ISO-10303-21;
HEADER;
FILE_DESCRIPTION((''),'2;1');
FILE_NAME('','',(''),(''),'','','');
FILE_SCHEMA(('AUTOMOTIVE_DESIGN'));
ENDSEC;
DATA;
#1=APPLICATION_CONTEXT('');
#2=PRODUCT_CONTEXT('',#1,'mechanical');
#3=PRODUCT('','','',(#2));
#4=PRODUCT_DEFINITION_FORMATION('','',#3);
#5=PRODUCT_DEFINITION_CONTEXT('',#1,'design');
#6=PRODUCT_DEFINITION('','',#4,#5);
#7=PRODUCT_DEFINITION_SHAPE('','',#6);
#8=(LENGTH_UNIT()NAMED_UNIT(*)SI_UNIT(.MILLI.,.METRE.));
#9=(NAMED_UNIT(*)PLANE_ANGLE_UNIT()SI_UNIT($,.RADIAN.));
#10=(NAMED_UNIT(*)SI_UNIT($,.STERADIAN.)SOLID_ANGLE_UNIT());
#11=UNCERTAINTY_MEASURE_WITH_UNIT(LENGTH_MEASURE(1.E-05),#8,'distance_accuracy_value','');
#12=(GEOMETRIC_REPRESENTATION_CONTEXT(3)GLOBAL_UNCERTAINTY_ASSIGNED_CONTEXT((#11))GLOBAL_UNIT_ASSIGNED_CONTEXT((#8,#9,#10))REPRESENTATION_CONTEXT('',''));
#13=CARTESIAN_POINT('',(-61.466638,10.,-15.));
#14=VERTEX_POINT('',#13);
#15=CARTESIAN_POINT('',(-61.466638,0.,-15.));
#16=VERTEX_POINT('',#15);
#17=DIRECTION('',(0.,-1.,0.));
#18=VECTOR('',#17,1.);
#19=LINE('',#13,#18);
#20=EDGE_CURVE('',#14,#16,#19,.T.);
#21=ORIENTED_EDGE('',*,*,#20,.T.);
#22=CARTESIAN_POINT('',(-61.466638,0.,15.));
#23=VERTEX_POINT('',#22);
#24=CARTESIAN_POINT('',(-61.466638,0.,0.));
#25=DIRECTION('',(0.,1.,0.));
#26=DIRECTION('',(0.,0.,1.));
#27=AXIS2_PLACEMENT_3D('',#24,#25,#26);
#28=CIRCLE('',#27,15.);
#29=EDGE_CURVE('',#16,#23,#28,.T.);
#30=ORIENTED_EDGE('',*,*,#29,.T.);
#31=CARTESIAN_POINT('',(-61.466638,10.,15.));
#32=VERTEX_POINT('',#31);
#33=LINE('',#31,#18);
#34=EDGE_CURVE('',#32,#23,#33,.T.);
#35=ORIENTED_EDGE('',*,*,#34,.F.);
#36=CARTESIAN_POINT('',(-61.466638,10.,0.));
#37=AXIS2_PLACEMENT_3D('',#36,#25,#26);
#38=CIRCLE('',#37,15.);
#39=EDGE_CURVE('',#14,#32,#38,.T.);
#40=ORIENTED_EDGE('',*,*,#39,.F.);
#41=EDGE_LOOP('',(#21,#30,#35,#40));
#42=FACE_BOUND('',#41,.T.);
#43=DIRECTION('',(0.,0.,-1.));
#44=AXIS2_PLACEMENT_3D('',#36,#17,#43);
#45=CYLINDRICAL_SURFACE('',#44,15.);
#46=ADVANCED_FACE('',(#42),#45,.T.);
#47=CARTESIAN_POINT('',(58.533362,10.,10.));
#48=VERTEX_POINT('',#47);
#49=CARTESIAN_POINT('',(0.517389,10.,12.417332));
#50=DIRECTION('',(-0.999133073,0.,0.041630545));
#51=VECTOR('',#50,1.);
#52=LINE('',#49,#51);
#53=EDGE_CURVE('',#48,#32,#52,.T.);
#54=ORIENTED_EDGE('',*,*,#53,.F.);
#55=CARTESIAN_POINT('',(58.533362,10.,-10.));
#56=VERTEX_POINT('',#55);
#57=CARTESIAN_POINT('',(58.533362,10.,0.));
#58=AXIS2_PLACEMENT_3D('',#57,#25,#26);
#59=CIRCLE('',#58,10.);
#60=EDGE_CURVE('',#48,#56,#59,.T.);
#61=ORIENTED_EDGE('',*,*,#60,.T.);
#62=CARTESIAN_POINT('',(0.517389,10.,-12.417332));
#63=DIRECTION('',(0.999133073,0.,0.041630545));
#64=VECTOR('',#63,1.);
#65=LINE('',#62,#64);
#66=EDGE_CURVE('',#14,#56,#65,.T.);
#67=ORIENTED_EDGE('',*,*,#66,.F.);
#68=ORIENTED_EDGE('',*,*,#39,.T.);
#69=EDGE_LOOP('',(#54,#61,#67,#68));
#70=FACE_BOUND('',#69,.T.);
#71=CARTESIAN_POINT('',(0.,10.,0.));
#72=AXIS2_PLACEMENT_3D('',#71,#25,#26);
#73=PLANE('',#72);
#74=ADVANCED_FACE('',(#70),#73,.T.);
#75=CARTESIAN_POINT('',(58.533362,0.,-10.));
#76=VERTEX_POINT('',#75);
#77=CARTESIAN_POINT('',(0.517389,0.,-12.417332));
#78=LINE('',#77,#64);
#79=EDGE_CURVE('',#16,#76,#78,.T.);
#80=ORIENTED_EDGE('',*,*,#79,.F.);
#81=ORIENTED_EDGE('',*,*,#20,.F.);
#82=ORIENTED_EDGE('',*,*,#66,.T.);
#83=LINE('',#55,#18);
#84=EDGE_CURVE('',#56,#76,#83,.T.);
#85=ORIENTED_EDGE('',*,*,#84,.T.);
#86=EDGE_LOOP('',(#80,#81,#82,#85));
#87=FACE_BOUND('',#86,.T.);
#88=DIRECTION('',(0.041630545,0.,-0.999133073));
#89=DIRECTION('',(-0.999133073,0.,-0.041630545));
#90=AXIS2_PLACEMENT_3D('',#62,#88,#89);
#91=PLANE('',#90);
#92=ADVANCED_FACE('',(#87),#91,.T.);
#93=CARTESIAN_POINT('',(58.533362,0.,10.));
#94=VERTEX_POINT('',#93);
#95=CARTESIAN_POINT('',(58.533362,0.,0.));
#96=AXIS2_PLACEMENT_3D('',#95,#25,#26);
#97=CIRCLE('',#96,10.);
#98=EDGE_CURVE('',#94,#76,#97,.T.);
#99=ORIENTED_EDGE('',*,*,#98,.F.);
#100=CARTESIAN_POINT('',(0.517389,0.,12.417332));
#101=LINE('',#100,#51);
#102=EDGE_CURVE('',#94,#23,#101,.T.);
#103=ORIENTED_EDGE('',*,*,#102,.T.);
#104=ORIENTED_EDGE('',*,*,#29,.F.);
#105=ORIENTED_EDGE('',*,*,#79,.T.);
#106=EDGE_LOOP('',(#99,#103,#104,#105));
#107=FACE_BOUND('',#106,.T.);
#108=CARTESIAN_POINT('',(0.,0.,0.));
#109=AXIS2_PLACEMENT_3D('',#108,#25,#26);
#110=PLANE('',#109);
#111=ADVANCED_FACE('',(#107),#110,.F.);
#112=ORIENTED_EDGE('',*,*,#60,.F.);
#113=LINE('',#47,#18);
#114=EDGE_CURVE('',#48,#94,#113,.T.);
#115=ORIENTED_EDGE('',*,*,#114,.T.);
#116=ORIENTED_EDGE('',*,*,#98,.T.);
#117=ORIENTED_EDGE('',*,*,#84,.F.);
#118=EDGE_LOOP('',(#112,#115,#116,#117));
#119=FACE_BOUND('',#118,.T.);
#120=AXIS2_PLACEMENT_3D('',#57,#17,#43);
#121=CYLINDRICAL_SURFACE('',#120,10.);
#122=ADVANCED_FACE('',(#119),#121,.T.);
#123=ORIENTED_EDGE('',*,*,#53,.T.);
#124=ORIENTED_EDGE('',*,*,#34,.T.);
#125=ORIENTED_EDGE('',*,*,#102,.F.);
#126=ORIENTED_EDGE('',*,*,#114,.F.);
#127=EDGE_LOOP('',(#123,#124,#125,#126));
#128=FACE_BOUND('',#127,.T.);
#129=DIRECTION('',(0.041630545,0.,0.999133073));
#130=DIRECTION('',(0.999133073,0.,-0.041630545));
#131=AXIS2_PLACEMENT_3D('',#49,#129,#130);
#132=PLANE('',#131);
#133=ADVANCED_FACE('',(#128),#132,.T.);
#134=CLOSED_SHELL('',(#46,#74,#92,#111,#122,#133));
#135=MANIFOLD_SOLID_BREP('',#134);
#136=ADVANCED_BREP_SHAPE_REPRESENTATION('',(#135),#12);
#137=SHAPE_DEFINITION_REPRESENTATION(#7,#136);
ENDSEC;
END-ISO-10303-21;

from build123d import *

# Parameters (mm, degrees)
BOSS_EXTRUDE1_DEPTH = 10


with BuildPart() as part:
    # Sketch1 → Boss-Extrude1 (new body)
    with BuildSketch(Plane(origin=(0, 0, 0), x_dir=(1, 0, 0), z_dir=(0, 1, 0))):
        with BuildLine():
            Line((58.533362025, 10), (-60.218804352, 14.948006932))
            ThreePointArc((-60.218804352, 14.948006932), (-50.427672798, 10.155847962), (-46.466637975, 0))
            ThreePointArc((-46.466637975, 0), (-50.427672798, -10.155847962), (-60.218804352, -14.948006932))
            Line((-60.218804352, -14.948006932), (58.533362025, -10))
            ThreePointArc((58.533362025, -10), (48.533362025, 0), (58.533362025, 10))
        make_face()
        with BuildLine():
            Line((-61.466637975, -15), (-61.466637975, 15))
            ThreePointArc((-61.466637975, 15), (-76.466637975, 0), (-61.466637975, -15))
        make_face()
        with BuildLine():
            ThreePointArc((68.533362025, 0), (65.604429837, 7.071067812), (58.533362025, 10))
            Line((58.533362025, 10), (58.533362025, -10))
            ThreePointArc((58.533362025, -10), (65.604429837, -7.071067812), (68.533362025, 0))
        make_face()
        with BuildLine():
            Line((58.533362025, -10), (58.533362025, 10))
            ThreePointArc((58.533362025, 10), (48.533362025, 0), (58.533362025, -10))
        make_face()
        with BuildLine():
            Line((-60.218804352, 14.948006932), (-61.466637975, 15))
            Line((-61.466637975, 15), (-61.466637975, -15))
            Line((-61.466637975, -15), (-60.218804352, -14.948006932))
            ThreePointArc((-60.218804352, -14.948006932), (-50.427672798, -10.155847962), (-46.466637975, 0))
            ThreePointArc((-46.466637975, 0), (-50.427672798, 10.155847962), (-60.218804352, 14.948006932))
        make_face()
    extrude(amount=BOSS_EXTRUDE1_DEPTH)


solid = part.part
